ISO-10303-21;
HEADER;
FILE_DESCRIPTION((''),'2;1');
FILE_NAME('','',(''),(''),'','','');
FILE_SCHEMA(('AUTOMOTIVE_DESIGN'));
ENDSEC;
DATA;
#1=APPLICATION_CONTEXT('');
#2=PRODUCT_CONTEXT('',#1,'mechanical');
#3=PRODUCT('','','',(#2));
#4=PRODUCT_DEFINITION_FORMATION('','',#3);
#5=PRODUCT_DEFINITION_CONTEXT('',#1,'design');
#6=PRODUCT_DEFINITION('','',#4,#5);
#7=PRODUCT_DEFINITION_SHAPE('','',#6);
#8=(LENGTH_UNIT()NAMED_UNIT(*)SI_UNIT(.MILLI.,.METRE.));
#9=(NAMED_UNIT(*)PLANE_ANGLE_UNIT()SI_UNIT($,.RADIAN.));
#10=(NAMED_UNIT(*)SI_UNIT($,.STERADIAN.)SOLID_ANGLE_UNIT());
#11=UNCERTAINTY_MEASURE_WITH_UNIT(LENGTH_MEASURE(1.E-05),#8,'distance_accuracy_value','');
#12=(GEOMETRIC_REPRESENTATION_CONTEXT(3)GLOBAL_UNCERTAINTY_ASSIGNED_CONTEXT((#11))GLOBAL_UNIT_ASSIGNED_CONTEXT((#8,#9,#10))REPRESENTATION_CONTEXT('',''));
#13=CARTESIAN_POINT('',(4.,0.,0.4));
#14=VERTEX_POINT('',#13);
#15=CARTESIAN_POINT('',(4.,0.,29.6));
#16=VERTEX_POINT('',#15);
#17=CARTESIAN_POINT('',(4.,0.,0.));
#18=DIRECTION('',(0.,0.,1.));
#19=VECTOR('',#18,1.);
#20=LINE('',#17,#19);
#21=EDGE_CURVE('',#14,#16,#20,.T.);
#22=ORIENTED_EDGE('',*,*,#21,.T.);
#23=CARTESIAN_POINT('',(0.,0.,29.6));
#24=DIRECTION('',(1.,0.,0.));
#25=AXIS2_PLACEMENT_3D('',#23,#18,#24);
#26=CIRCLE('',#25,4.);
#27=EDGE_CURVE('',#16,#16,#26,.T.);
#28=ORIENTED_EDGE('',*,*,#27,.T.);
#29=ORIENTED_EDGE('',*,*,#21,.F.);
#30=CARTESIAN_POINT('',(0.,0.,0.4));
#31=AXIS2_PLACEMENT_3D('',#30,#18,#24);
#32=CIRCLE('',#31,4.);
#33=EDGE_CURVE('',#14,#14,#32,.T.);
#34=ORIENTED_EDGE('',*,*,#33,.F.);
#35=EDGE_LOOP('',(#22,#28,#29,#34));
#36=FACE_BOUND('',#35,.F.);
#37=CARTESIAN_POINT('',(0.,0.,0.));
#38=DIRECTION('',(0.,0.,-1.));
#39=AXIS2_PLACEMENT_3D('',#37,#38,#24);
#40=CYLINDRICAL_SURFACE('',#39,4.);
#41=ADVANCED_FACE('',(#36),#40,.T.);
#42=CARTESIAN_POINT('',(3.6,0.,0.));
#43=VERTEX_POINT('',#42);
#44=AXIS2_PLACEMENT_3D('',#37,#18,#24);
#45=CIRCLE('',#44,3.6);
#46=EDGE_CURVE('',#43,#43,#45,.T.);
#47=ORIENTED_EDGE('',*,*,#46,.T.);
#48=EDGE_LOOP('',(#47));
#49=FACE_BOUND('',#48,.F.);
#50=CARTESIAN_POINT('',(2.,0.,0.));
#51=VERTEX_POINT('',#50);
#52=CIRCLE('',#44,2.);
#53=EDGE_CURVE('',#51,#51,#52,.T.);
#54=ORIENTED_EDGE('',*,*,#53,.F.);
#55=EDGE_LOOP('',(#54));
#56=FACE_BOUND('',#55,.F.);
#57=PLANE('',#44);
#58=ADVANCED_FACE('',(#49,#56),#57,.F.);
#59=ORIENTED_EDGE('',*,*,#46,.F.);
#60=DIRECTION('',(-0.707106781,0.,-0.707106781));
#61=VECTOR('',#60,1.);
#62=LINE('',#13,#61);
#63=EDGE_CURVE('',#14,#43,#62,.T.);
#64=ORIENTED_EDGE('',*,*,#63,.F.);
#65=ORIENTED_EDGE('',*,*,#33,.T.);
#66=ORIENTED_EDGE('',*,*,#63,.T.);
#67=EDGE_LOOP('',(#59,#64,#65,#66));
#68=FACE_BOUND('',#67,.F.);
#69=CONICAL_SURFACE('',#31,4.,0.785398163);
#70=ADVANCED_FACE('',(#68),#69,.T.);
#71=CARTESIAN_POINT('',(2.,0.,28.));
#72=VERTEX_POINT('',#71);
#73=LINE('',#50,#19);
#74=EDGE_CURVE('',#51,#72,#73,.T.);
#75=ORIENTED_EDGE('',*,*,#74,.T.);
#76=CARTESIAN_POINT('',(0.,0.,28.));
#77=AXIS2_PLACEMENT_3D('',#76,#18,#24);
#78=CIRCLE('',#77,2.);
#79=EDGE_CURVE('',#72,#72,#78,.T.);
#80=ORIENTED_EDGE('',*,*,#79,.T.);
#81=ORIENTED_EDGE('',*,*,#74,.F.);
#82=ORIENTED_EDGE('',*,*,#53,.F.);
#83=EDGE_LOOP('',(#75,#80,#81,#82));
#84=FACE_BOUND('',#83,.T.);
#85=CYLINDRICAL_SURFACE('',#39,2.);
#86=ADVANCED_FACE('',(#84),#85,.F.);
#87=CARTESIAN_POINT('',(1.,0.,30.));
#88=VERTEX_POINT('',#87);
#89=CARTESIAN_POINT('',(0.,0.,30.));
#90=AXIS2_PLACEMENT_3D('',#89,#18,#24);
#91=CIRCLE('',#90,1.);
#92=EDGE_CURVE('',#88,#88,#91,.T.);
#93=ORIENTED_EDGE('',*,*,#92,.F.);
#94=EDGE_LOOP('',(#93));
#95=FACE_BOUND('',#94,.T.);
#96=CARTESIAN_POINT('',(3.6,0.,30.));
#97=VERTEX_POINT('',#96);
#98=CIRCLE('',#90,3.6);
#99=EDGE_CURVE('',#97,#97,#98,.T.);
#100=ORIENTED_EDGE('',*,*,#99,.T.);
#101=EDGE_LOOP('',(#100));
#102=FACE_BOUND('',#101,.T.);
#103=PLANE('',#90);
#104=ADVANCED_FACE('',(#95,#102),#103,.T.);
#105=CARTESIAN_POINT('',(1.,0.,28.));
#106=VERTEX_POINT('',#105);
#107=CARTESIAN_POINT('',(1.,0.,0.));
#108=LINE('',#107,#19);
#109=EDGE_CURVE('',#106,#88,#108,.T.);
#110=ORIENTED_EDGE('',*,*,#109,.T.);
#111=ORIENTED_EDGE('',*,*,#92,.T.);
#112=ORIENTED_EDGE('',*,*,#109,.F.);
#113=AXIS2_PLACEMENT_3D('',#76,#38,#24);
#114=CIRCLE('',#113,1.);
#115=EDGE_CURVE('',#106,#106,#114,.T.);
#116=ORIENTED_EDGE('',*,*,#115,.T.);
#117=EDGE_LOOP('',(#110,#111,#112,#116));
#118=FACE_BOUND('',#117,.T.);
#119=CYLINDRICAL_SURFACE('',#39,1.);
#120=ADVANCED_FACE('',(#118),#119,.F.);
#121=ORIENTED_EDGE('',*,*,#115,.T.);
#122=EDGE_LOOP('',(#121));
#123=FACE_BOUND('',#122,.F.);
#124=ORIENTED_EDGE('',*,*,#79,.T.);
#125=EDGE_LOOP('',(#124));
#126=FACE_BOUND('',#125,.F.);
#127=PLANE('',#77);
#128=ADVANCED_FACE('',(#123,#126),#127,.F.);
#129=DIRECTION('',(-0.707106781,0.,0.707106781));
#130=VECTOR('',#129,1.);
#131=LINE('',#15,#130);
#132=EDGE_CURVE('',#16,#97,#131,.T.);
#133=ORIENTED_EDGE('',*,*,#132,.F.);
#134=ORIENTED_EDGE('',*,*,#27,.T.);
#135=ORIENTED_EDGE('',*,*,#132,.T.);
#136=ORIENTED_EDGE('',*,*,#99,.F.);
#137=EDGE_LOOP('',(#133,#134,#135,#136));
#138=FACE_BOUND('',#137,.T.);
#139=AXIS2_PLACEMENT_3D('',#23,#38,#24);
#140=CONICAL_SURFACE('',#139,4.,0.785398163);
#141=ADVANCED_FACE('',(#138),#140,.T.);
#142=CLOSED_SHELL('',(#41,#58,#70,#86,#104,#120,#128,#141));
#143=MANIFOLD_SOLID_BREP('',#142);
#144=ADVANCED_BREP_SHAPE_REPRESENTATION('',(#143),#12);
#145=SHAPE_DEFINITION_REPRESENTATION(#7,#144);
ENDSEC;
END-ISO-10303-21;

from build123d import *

# Parameters (mm, degrees)
CYLINDER003_R     = 1
CYLINDER003_DEPTH = 30
CYLINDER001_R     = 2
CYLINDER001_DEPTH = 28
CYLINDER_R        = 4
CYLINDER_DEPTH    = 30
CHAMFER_SIZE      = 0.4


with BuildPart() as cylinder003:
    # Cylinder003 → Cylinder003 (new body)
    with BuildSketch(Plane.XY):
        Circle(CYLINDER003_R)
    extrude(amount=CYLINDER003_DEPTH)


with BuildPart() as fusion:
    # Cylinder001 → Cylinder001 (new body)
    with BuildSketch(Plane.XY):
        Circle(CYLINDER001_R)
    extrude(amount=CYLINDER001_DEPTH)

    # Fusion: union Cylinder003
    add(cylinder003.part)


with BuildPart() as chamfer_body:
    # Cylinder → Cylinder (new body)
    with BuildSketch(Plane.XY):
        Circle(CYLINDER_R)
    extrude(amount=CYLINDER_DEPTH)

    # Cut: cut Fusion
    add(fusion.part, mode=Mode.SUBTRACT)

    # Chamfer
    chamfer_edges = [chamfer_body.edges().sort_by_distance(p)[0] for p in [
        (-4, 0, 30),
        (-4, 0, 0),
    ]]
    chamfer(chamfer_edges, length=CHAMFER_SIZE)


solid = chamfer_body.part
